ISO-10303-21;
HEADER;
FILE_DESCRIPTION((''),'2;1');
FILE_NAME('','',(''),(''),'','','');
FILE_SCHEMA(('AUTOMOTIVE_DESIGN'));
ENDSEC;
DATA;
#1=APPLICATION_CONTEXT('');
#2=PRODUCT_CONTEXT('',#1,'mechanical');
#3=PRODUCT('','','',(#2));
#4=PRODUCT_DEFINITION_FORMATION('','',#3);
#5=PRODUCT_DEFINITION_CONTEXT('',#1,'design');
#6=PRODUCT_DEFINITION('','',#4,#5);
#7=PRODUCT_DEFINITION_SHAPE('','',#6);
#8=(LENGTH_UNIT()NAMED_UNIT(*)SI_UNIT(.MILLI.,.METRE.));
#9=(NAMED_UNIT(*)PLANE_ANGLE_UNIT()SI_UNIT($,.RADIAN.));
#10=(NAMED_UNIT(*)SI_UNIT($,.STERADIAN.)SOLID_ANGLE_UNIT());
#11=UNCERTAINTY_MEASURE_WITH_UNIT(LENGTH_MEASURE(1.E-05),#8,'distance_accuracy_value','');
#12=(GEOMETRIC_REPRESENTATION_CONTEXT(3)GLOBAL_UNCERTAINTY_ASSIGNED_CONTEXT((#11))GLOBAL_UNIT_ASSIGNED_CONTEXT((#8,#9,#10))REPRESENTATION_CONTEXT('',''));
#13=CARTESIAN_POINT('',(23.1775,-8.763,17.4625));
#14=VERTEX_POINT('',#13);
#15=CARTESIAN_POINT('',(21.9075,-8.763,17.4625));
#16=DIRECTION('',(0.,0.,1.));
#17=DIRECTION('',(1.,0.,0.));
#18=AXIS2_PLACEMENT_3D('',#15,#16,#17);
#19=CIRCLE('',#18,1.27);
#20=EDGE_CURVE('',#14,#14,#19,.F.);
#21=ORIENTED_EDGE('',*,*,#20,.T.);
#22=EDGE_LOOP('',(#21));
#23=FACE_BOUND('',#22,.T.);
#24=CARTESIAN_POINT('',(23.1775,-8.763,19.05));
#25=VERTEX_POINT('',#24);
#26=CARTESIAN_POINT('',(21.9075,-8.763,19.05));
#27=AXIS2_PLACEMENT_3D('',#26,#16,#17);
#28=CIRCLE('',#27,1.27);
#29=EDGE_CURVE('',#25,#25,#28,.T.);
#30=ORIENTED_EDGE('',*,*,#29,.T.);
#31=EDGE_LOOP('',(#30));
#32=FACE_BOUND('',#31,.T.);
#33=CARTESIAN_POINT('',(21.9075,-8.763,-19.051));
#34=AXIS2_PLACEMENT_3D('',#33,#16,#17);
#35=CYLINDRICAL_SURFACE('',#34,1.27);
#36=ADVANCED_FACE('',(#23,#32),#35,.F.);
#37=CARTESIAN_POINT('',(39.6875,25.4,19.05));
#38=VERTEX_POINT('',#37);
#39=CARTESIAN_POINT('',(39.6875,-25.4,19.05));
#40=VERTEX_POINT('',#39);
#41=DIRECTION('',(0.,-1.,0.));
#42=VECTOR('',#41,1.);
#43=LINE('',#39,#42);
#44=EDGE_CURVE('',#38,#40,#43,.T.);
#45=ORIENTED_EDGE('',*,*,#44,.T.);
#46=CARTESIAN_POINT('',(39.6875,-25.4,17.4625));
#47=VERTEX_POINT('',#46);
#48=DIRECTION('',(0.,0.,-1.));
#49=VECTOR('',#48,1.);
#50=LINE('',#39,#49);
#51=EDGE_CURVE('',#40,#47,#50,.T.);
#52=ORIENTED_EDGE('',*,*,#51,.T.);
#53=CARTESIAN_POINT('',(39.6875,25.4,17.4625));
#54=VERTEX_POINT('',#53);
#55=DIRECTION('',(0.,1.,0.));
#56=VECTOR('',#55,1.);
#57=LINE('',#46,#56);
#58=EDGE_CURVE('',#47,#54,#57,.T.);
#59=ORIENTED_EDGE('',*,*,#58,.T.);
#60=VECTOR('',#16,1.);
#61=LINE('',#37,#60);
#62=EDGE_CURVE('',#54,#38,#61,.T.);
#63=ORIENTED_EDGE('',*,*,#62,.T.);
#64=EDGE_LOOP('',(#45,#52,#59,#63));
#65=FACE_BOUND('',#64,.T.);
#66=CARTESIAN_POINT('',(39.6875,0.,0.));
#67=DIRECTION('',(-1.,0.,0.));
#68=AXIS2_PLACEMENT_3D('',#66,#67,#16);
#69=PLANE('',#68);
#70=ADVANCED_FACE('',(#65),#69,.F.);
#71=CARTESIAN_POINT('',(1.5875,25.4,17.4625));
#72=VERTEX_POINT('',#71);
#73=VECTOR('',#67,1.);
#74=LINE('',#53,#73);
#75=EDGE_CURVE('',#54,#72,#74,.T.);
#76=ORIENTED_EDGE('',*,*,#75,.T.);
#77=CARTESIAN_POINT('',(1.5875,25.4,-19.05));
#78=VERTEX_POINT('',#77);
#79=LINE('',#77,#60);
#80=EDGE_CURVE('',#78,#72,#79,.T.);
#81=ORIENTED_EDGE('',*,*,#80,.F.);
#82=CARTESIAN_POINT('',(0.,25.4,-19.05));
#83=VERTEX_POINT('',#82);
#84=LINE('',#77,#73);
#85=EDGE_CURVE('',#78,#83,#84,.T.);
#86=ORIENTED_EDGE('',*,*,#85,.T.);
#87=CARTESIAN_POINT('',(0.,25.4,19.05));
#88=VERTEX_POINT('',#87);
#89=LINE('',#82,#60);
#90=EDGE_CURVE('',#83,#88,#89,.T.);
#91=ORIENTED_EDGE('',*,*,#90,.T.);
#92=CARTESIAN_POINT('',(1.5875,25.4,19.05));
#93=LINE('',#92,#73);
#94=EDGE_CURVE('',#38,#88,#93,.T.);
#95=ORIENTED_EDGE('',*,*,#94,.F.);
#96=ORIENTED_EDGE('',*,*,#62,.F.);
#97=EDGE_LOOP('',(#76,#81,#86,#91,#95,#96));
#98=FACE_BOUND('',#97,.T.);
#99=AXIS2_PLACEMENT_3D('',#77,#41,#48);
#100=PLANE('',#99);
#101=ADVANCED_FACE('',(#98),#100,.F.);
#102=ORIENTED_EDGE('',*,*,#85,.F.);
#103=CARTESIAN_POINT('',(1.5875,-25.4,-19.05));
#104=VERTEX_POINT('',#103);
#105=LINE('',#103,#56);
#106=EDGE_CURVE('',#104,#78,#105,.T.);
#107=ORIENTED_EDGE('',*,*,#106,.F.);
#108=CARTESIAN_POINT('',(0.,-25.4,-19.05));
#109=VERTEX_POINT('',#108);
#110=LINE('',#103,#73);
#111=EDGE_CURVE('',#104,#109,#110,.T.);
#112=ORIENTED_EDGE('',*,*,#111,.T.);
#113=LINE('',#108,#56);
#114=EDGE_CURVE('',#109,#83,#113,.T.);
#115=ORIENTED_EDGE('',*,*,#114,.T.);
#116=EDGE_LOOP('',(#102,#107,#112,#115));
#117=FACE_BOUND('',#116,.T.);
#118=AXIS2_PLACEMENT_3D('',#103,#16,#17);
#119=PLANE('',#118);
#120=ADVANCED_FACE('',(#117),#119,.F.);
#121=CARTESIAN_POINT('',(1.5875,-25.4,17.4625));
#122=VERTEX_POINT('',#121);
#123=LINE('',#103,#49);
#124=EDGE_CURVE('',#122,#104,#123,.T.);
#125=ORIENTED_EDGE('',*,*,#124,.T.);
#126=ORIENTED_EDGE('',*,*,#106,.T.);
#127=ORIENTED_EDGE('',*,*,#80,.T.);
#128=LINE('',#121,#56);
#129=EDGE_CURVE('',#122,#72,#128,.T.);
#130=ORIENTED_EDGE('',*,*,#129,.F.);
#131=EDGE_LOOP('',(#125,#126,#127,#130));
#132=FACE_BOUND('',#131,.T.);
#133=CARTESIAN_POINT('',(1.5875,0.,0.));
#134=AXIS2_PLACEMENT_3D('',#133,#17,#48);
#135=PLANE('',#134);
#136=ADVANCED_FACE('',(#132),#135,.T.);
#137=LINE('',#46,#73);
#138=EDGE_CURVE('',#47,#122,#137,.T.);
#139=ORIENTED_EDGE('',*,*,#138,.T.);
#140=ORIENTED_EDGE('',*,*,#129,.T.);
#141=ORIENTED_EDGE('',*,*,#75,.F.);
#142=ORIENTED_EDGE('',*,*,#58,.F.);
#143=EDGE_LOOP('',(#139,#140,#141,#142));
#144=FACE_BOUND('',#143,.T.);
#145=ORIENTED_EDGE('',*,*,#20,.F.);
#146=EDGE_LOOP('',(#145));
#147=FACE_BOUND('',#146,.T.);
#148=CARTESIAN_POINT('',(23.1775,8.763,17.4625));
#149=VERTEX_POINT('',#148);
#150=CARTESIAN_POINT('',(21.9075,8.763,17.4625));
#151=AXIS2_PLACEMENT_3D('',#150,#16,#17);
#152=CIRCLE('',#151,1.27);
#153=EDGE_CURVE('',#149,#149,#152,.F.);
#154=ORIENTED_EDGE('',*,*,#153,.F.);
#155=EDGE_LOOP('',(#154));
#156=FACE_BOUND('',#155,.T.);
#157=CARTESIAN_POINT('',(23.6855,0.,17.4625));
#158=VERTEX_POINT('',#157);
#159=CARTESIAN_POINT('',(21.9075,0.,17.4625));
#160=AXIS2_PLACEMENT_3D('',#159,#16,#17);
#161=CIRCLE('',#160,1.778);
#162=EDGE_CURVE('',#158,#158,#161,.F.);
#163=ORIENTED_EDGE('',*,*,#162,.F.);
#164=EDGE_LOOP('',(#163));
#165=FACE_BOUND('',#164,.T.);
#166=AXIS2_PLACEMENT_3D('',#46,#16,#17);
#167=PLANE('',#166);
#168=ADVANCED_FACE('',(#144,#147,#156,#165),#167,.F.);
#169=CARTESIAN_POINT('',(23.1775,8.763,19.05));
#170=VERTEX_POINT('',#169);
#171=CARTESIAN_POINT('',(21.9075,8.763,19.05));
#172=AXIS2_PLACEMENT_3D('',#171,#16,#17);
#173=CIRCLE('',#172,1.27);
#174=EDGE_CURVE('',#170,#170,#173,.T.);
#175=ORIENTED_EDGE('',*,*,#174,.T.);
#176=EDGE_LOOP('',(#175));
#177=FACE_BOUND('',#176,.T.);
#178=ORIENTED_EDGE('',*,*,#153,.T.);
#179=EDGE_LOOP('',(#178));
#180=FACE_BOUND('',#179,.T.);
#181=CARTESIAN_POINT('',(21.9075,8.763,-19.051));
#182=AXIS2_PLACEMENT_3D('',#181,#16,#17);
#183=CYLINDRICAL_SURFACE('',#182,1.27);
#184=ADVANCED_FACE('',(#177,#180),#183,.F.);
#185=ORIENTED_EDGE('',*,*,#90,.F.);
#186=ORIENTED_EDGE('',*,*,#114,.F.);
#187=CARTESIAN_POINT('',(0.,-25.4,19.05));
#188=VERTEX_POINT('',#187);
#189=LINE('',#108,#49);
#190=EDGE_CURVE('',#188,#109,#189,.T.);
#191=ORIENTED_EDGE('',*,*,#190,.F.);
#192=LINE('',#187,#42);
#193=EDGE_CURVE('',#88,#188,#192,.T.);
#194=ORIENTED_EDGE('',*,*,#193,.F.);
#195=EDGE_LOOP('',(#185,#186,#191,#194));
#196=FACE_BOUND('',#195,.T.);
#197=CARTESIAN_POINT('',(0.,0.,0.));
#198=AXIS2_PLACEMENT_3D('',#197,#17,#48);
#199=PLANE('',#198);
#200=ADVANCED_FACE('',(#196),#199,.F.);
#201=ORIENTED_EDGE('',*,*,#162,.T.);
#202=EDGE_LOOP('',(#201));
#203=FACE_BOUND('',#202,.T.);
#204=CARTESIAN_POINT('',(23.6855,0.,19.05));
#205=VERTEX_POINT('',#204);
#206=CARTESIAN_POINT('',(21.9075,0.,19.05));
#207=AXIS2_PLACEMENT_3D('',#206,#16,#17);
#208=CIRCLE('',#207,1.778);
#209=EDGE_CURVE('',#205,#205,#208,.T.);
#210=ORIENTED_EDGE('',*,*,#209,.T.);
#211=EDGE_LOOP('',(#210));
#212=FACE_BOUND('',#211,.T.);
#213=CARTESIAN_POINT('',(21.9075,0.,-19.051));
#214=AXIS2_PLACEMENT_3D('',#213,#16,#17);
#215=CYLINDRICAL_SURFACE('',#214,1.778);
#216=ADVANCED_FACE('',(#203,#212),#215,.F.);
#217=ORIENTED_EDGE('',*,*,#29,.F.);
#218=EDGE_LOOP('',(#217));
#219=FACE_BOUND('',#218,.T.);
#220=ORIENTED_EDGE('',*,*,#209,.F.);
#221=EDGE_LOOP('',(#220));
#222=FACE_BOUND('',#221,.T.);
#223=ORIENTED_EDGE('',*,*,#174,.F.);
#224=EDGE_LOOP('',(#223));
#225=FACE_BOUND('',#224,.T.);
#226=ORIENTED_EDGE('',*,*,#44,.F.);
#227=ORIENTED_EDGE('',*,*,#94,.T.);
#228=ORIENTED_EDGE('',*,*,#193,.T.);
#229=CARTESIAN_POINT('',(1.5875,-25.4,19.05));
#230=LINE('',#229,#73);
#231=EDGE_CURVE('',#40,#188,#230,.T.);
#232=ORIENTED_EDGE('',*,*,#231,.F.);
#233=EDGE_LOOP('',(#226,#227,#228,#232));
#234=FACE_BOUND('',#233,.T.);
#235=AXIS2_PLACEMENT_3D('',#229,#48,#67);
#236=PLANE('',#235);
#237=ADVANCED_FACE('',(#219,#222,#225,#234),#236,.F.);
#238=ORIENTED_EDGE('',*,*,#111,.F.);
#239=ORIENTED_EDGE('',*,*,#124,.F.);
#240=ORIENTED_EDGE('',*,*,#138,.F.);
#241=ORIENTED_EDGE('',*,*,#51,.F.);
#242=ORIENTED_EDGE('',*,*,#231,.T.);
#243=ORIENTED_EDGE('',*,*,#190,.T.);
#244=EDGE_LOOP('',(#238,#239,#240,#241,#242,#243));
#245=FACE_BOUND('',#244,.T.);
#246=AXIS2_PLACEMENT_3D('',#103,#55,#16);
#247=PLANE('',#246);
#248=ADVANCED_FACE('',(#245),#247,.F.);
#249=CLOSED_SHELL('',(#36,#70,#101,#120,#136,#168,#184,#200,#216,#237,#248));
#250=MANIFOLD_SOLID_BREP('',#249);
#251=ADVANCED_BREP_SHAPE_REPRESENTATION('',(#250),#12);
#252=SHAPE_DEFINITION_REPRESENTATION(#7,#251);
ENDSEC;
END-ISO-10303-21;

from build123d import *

# Parameters (mm, degrees)
SKETCH2_W           = 38.1
SKETCH2_H           = 50.8
BOSS_EXTRUDE1_DEPTH = 1.5875
SKETCH3_W           = 1.5875
SKETCH3_H           = 50.8
BOSS_EXTRUDE2_DEPTH = 38.1
CUT_EXTRUDE1_REACH  = 62.596
SKETCH4_R           = 1.778
SKETCH4_R_2         = 1.27


with BuildPart() as part:
    # Sketch2 → Boss-Extrude1 (new body)
    with BuildSketch(Plane(origin=(0, 0, 0), x_dir=(0, 0, -1), z_dir=(1, 0, 0))):
        Rectangle(SKETCH2_W, SKETCH2_H)
    extrude(amount=BOSS_EXTRUDE1_DEPTH)

    # Sketch3 → Boss-Extrude2 (add)
    with BuildSketch(Plane(origin=(1.5875, 0, 0), x_dir=(0, 0, -1), z_dir=(1, 0, 0))):
        with Locations((-18.25625, 0)):
            Rectangle(SKETCH3_W, SKETCH3_H)
    extrude(amount=BOSS_EXTRUDE2_DEPTH)

    # Sketch4 → Cut-Extrude1 (cut, up to next)
    with BuildSketch(Plane.XY.offset(19.05), mode=Mode.PRIVATE) as cut_extrude1_sk1:
        with Locations((21.9075, 0)):
            Circle(SKETCH4_R)
    cut_extrude1_tool1 = extrude(cut_extrude1_sk1.sketch, amount=-CUT_EXTRUDE1_REACH, mode=Mode.PRIVATE) & part.part
    # Sketch4 → Cut-Extrude1 (cut, up to next)
    with BuildSketch(Plane.XY.offset(19.05), mode=Mode.PRIVATE) as cut_extrude1_sk2:
        with Locations((21.9075, 8.763)):
            Circle(SKETCH4_R_2)
    cut_extrude1_tool2 = extrude(cut_extrude1_sk2.sketch, amount=-CUT_EXTRUDE1_REACH, mode=Mode.PRIVATE) & part.part
    # Sketch4 → Cut-Extrude1 (cut, up to next)
    with BuildSketch(Plane.XY.offset(19.05), mode=Mode.PRIVATE) as cut_extrude1_sk3:
        with Locations((21.9075, -8.763)):
            Circle(SKETCH4_R_2)
    cut_extrude1_tool3 = extrude(cut_extrude1_sk3.sketch, amount=-CUT_EXTRUDE1_REACH, mode=Mode.PRIVATE) & part.part
    add(cut_extrude1_tool1.solids().sort_by_distance((21.9075, 0, 19.05))[0], mode=Mode.SUBTRACT)
    add(cut_extrude1_tool2.solids().sort_by_distance((21.9075, 8.763, 19.05))[0], mode=Mode.SUBTRACT)
    add(cut_extrude1_tool3.solids().sort_by_distance((21.9075, -8.763, 19.05))[0], mode=Mode.SUBTRACT)


solid = part.part
